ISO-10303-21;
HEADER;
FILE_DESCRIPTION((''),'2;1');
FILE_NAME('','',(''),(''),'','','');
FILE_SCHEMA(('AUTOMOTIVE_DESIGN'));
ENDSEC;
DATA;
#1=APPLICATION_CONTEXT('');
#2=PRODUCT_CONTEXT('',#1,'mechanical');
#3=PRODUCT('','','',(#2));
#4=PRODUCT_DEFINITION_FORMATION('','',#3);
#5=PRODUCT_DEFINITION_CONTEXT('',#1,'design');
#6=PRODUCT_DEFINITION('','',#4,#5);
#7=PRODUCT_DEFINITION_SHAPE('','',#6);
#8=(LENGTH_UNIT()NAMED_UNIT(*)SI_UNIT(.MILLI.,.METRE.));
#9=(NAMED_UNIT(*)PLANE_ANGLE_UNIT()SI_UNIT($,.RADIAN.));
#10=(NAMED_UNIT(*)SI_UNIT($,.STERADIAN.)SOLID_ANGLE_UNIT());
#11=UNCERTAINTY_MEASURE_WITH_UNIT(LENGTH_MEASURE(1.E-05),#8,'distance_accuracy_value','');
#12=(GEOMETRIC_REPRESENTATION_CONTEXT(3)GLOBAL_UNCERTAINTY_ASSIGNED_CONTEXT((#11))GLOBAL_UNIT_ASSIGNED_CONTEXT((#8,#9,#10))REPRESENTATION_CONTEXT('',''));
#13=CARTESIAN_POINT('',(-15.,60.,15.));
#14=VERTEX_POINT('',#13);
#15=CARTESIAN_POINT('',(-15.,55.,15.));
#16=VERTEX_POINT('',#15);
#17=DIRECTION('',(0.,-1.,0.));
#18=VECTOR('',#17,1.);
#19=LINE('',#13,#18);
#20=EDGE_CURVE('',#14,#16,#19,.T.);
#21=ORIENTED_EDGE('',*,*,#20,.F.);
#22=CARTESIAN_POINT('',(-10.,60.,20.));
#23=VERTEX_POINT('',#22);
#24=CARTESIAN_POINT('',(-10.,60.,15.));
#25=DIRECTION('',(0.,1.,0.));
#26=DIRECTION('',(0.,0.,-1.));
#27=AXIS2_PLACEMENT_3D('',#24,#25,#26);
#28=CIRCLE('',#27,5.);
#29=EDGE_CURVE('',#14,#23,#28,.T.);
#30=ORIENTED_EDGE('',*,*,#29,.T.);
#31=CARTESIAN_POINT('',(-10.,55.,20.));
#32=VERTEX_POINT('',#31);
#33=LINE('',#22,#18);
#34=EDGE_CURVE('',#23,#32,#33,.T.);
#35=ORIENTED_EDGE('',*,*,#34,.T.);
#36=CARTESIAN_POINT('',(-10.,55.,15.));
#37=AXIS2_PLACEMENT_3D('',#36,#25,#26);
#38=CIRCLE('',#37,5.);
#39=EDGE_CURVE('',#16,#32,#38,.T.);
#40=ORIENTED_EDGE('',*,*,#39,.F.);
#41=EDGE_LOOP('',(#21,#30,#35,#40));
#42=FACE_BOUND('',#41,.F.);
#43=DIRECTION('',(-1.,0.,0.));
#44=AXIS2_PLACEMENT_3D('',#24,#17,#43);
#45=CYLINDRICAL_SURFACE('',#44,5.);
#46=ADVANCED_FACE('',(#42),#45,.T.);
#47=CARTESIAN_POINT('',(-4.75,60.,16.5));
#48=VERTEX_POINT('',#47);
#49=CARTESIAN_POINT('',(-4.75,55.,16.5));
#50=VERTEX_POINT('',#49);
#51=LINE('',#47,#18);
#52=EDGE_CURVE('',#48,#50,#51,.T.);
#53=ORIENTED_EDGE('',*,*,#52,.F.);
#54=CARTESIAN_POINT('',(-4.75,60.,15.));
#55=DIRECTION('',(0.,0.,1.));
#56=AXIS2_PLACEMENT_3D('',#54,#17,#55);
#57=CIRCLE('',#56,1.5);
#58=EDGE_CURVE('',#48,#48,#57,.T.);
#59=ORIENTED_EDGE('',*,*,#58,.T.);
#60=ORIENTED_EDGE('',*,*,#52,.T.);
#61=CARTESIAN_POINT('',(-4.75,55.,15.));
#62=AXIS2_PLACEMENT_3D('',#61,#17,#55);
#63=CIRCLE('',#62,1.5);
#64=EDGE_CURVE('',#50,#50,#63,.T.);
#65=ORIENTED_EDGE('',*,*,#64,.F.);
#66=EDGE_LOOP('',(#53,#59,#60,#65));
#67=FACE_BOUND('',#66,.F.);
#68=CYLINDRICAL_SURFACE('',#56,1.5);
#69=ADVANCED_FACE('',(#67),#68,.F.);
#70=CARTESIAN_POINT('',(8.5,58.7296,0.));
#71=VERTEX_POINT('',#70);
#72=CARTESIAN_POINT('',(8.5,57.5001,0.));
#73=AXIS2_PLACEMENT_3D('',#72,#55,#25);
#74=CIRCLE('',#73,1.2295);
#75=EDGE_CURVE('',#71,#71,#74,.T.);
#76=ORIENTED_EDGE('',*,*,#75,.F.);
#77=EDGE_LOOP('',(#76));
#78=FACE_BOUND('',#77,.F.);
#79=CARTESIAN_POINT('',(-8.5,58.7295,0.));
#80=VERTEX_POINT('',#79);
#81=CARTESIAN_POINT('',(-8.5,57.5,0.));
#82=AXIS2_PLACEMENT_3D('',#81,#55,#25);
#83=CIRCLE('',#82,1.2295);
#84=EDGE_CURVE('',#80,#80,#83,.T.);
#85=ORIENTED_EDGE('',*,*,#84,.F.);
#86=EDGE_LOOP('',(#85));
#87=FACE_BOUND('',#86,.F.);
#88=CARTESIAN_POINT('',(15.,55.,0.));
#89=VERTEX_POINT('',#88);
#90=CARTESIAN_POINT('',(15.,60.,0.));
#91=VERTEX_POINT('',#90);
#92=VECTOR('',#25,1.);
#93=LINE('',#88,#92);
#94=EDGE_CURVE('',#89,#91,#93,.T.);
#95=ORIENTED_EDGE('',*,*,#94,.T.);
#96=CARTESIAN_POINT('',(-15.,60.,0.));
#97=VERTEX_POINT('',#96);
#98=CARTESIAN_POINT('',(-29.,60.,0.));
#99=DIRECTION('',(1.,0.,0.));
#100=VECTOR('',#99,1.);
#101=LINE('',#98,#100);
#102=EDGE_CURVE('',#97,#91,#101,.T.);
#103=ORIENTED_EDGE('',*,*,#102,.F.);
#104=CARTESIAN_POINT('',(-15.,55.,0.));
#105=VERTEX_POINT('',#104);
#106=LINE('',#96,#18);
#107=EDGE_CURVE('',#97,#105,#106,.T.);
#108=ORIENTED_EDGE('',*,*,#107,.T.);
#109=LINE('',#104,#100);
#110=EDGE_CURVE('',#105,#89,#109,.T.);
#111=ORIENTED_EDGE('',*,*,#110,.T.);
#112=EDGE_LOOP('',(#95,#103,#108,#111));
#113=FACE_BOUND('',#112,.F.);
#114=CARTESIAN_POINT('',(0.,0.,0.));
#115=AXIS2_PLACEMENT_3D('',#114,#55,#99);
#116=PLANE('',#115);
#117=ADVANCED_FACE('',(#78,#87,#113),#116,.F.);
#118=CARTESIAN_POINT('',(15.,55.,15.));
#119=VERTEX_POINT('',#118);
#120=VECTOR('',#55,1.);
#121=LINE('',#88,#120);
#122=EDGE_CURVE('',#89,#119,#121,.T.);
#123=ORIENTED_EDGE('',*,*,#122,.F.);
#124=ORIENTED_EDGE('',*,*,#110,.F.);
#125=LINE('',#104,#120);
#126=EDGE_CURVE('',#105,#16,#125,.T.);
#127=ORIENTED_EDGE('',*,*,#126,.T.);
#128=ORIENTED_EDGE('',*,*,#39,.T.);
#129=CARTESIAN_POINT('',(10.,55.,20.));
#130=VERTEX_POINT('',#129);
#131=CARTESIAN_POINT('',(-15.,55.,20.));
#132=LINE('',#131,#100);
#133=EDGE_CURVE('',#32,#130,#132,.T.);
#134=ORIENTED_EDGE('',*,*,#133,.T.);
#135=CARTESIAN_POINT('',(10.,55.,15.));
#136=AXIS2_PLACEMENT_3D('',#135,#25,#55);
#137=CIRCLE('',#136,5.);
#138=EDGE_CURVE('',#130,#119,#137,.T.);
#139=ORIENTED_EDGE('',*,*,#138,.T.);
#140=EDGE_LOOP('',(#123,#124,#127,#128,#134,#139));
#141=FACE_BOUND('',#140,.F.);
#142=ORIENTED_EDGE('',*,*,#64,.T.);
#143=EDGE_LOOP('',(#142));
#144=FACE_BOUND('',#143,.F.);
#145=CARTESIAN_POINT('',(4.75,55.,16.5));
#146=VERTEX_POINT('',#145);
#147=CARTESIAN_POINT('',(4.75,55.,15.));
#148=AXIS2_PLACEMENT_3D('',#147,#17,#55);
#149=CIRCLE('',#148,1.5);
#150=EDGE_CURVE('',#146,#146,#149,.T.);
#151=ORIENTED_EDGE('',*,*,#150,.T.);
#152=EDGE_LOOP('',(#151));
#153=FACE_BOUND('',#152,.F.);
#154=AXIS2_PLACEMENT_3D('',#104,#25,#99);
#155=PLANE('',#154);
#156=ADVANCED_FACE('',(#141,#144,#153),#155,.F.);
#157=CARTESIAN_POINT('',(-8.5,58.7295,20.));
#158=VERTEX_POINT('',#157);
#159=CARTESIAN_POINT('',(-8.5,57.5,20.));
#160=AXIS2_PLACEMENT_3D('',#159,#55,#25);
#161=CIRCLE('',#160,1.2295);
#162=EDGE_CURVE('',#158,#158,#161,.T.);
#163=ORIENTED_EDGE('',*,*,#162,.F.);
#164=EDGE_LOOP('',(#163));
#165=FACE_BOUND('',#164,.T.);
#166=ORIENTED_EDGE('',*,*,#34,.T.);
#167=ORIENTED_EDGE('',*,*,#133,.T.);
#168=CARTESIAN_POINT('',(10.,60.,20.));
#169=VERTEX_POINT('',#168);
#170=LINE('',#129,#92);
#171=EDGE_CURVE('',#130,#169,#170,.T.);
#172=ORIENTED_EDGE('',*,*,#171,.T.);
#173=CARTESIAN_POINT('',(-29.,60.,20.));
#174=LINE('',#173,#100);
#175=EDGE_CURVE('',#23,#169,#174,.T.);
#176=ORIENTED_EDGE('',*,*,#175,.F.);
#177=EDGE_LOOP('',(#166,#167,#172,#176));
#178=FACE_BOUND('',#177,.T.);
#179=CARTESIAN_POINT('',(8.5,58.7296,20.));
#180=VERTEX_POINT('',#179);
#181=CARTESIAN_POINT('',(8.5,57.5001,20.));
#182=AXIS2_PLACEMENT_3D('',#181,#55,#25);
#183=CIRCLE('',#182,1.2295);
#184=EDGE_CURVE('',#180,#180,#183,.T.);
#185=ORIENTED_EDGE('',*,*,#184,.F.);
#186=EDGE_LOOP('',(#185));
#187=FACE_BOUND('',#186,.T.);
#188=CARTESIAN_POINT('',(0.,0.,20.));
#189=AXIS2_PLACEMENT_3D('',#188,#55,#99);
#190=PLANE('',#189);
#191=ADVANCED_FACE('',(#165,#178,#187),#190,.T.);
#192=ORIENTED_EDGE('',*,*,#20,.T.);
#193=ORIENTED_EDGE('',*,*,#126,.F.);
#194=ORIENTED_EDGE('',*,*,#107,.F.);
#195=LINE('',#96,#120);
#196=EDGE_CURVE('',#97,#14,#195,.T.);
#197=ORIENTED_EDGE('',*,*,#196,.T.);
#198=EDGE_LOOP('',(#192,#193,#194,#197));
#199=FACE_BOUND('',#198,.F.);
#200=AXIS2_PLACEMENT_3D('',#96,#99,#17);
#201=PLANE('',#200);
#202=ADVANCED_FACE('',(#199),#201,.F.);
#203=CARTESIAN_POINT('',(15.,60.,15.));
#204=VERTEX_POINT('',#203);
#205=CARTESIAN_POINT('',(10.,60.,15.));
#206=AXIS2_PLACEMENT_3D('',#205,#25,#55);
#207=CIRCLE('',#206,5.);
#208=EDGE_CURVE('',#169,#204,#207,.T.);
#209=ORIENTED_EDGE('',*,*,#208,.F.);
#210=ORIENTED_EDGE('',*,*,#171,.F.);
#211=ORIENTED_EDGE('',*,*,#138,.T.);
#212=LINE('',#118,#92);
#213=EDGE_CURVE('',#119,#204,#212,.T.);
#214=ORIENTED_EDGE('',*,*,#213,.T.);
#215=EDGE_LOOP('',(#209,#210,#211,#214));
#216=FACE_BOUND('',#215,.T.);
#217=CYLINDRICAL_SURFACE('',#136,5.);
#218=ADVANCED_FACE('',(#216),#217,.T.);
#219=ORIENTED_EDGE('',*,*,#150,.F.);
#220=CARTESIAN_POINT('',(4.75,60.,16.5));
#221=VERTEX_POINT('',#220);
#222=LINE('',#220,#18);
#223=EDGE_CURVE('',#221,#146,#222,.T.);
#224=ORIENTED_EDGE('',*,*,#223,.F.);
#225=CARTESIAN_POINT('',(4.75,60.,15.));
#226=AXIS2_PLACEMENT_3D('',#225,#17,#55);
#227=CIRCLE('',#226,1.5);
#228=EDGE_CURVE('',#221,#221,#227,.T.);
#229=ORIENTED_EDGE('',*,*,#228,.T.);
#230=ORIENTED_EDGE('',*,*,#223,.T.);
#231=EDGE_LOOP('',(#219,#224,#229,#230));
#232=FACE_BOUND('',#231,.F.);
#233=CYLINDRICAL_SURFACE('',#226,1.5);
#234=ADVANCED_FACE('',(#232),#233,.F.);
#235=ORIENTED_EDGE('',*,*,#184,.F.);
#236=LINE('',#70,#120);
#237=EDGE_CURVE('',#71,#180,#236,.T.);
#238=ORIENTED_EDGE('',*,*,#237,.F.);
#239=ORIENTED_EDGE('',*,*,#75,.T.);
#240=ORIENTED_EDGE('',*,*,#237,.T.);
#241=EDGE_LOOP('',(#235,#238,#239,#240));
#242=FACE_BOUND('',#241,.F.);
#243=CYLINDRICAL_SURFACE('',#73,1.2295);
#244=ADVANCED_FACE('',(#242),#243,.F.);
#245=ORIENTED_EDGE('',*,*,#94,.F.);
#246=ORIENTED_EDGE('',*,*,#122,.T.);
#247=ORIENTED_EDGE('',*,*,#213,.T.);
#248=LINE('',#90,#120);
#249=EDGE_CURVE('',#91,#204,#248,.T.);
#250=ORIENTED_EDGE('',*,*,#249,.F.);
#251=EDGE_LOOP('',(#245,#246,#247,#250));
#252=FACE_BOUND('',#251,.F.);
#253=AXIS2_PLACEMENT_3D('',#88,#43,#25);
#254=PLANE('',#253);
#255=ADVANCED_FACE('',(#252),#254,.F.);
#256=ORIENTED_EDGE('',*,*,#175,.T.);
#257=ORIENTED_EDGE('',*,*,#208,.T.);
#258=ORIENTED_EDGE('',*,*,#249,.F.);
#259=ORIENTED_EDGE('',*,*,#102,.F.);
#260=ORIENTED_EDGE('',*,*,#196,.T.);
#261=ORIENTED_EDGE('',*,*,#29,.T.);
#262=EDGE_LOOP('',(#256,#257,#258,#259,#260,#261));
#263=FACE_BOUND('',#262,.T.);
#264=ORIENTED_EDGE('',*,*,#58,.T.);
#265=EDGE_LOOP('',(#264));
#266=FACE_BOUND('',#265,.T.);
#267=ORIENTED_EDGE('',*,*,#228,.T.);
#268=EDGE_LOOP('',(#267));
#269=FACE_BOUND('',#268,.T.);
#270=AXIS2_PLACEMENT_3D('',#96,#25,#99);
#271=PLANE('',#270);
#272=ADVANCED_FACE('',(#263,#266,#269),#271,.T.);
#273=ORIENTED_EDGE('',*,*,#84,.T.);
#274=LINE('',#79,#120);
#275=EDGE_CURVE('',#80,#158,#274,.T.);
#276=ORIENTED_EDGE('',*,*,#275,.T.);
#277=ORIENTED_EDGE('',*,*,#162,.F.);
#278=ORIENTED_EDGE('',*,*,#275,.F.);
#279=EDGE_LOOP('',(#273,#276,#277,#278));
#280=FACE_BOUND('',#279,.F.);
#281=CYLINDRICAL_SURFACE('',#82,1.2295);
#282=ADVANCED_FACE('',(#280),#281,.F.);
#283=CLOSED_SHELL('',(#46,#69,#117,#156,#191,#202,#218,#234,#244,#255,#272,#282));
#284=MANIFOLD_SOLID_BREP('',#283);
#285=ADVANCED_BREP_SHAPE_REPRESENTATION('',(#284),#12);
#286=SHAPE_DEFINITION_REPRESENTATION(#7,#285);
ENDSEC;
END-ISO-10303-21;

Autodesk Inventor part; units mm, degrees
ref_plane "YZ Plane" through (0, 0, 0) normal (1, 0, 0) x (0, 1, 0)
ref_plane "XZ Plane" through (0, 0, 0) normal (0, 1, 0) x (-1, 0, 0)
ref_plane "XY Plane" through (0, 0, 0) normal (0, 0, 1) x (1, 0, 0)
sketch "Sketch1" plane through (0, 0, 0) normal (0, 0, 1) x (1, 0, 0)
  line L0 (-29, 60) -> (29, 60) projected
  line L1 (15, 60) -> (-15, 60)
  line L2 (-15, 60) -> (-15, 55)
  line L3 (-15, 55) -> (15, 55)
  line L4 (15, 55) -> (15, 60)
  point P0 (0, 0)
  point P1 (-15, 60)
  dimension "d0" = 5
  dimension "d1" = 15
  dimension "d2" = 15
extrude "Extrusion1" add sketch "Sketch1" along normal blind 20
sketch "Sketch2" plane through (-15, 60, 0) normal (0, 1, 0) x (1, 0, 0)
  circle A0 centre (19.75, -15) radius 1.5
  circle A1 centre (10.25, -15) radius 1.5
  line L0 (30, -20) -> (0, -20) projected
  line L1 (0, 0) -> (0, -20) projected
  point P0 (15, 0)
  dimension "d5" = 9.5
  dimension "d6" = 5
  dimension "d7" = 5
  dimension "d8" = 10.25
  dimension "d9" = 3
  dimension "d10" = 3
hole "Hole1" at (4.75, 60, 15) at (-4.75, 60, 15) direction (0, -1, 0) diameter 3 depth 20 tip angle 118
fillet "Fillet1" radius 5 2 edges at (15, 57.5, 20) (-15, 57.5, 20)
sketch "Sketch3" plane through (0, 0, 0) normal (0, 0, -1) x (-1, 0, 0)
  circle A0 centre (-8.5, 57.5001) radius 1.5 projected
  circle A1 centre (8.5, 57.5) radius 1.5 projected
  point P0 (0, 0)
hole "Hole2" at (8.5, 57.5001, 0) at (-8.5, 57.5, 0) direction (0, 0, 1) diameter 2.459 depth 20 tip angle 118 thread size "M3x0.5" class "6H" standard "ISO Metric profile"
equation "\"d11\" = d10"
properties part number "Z-Endstophalter1"
